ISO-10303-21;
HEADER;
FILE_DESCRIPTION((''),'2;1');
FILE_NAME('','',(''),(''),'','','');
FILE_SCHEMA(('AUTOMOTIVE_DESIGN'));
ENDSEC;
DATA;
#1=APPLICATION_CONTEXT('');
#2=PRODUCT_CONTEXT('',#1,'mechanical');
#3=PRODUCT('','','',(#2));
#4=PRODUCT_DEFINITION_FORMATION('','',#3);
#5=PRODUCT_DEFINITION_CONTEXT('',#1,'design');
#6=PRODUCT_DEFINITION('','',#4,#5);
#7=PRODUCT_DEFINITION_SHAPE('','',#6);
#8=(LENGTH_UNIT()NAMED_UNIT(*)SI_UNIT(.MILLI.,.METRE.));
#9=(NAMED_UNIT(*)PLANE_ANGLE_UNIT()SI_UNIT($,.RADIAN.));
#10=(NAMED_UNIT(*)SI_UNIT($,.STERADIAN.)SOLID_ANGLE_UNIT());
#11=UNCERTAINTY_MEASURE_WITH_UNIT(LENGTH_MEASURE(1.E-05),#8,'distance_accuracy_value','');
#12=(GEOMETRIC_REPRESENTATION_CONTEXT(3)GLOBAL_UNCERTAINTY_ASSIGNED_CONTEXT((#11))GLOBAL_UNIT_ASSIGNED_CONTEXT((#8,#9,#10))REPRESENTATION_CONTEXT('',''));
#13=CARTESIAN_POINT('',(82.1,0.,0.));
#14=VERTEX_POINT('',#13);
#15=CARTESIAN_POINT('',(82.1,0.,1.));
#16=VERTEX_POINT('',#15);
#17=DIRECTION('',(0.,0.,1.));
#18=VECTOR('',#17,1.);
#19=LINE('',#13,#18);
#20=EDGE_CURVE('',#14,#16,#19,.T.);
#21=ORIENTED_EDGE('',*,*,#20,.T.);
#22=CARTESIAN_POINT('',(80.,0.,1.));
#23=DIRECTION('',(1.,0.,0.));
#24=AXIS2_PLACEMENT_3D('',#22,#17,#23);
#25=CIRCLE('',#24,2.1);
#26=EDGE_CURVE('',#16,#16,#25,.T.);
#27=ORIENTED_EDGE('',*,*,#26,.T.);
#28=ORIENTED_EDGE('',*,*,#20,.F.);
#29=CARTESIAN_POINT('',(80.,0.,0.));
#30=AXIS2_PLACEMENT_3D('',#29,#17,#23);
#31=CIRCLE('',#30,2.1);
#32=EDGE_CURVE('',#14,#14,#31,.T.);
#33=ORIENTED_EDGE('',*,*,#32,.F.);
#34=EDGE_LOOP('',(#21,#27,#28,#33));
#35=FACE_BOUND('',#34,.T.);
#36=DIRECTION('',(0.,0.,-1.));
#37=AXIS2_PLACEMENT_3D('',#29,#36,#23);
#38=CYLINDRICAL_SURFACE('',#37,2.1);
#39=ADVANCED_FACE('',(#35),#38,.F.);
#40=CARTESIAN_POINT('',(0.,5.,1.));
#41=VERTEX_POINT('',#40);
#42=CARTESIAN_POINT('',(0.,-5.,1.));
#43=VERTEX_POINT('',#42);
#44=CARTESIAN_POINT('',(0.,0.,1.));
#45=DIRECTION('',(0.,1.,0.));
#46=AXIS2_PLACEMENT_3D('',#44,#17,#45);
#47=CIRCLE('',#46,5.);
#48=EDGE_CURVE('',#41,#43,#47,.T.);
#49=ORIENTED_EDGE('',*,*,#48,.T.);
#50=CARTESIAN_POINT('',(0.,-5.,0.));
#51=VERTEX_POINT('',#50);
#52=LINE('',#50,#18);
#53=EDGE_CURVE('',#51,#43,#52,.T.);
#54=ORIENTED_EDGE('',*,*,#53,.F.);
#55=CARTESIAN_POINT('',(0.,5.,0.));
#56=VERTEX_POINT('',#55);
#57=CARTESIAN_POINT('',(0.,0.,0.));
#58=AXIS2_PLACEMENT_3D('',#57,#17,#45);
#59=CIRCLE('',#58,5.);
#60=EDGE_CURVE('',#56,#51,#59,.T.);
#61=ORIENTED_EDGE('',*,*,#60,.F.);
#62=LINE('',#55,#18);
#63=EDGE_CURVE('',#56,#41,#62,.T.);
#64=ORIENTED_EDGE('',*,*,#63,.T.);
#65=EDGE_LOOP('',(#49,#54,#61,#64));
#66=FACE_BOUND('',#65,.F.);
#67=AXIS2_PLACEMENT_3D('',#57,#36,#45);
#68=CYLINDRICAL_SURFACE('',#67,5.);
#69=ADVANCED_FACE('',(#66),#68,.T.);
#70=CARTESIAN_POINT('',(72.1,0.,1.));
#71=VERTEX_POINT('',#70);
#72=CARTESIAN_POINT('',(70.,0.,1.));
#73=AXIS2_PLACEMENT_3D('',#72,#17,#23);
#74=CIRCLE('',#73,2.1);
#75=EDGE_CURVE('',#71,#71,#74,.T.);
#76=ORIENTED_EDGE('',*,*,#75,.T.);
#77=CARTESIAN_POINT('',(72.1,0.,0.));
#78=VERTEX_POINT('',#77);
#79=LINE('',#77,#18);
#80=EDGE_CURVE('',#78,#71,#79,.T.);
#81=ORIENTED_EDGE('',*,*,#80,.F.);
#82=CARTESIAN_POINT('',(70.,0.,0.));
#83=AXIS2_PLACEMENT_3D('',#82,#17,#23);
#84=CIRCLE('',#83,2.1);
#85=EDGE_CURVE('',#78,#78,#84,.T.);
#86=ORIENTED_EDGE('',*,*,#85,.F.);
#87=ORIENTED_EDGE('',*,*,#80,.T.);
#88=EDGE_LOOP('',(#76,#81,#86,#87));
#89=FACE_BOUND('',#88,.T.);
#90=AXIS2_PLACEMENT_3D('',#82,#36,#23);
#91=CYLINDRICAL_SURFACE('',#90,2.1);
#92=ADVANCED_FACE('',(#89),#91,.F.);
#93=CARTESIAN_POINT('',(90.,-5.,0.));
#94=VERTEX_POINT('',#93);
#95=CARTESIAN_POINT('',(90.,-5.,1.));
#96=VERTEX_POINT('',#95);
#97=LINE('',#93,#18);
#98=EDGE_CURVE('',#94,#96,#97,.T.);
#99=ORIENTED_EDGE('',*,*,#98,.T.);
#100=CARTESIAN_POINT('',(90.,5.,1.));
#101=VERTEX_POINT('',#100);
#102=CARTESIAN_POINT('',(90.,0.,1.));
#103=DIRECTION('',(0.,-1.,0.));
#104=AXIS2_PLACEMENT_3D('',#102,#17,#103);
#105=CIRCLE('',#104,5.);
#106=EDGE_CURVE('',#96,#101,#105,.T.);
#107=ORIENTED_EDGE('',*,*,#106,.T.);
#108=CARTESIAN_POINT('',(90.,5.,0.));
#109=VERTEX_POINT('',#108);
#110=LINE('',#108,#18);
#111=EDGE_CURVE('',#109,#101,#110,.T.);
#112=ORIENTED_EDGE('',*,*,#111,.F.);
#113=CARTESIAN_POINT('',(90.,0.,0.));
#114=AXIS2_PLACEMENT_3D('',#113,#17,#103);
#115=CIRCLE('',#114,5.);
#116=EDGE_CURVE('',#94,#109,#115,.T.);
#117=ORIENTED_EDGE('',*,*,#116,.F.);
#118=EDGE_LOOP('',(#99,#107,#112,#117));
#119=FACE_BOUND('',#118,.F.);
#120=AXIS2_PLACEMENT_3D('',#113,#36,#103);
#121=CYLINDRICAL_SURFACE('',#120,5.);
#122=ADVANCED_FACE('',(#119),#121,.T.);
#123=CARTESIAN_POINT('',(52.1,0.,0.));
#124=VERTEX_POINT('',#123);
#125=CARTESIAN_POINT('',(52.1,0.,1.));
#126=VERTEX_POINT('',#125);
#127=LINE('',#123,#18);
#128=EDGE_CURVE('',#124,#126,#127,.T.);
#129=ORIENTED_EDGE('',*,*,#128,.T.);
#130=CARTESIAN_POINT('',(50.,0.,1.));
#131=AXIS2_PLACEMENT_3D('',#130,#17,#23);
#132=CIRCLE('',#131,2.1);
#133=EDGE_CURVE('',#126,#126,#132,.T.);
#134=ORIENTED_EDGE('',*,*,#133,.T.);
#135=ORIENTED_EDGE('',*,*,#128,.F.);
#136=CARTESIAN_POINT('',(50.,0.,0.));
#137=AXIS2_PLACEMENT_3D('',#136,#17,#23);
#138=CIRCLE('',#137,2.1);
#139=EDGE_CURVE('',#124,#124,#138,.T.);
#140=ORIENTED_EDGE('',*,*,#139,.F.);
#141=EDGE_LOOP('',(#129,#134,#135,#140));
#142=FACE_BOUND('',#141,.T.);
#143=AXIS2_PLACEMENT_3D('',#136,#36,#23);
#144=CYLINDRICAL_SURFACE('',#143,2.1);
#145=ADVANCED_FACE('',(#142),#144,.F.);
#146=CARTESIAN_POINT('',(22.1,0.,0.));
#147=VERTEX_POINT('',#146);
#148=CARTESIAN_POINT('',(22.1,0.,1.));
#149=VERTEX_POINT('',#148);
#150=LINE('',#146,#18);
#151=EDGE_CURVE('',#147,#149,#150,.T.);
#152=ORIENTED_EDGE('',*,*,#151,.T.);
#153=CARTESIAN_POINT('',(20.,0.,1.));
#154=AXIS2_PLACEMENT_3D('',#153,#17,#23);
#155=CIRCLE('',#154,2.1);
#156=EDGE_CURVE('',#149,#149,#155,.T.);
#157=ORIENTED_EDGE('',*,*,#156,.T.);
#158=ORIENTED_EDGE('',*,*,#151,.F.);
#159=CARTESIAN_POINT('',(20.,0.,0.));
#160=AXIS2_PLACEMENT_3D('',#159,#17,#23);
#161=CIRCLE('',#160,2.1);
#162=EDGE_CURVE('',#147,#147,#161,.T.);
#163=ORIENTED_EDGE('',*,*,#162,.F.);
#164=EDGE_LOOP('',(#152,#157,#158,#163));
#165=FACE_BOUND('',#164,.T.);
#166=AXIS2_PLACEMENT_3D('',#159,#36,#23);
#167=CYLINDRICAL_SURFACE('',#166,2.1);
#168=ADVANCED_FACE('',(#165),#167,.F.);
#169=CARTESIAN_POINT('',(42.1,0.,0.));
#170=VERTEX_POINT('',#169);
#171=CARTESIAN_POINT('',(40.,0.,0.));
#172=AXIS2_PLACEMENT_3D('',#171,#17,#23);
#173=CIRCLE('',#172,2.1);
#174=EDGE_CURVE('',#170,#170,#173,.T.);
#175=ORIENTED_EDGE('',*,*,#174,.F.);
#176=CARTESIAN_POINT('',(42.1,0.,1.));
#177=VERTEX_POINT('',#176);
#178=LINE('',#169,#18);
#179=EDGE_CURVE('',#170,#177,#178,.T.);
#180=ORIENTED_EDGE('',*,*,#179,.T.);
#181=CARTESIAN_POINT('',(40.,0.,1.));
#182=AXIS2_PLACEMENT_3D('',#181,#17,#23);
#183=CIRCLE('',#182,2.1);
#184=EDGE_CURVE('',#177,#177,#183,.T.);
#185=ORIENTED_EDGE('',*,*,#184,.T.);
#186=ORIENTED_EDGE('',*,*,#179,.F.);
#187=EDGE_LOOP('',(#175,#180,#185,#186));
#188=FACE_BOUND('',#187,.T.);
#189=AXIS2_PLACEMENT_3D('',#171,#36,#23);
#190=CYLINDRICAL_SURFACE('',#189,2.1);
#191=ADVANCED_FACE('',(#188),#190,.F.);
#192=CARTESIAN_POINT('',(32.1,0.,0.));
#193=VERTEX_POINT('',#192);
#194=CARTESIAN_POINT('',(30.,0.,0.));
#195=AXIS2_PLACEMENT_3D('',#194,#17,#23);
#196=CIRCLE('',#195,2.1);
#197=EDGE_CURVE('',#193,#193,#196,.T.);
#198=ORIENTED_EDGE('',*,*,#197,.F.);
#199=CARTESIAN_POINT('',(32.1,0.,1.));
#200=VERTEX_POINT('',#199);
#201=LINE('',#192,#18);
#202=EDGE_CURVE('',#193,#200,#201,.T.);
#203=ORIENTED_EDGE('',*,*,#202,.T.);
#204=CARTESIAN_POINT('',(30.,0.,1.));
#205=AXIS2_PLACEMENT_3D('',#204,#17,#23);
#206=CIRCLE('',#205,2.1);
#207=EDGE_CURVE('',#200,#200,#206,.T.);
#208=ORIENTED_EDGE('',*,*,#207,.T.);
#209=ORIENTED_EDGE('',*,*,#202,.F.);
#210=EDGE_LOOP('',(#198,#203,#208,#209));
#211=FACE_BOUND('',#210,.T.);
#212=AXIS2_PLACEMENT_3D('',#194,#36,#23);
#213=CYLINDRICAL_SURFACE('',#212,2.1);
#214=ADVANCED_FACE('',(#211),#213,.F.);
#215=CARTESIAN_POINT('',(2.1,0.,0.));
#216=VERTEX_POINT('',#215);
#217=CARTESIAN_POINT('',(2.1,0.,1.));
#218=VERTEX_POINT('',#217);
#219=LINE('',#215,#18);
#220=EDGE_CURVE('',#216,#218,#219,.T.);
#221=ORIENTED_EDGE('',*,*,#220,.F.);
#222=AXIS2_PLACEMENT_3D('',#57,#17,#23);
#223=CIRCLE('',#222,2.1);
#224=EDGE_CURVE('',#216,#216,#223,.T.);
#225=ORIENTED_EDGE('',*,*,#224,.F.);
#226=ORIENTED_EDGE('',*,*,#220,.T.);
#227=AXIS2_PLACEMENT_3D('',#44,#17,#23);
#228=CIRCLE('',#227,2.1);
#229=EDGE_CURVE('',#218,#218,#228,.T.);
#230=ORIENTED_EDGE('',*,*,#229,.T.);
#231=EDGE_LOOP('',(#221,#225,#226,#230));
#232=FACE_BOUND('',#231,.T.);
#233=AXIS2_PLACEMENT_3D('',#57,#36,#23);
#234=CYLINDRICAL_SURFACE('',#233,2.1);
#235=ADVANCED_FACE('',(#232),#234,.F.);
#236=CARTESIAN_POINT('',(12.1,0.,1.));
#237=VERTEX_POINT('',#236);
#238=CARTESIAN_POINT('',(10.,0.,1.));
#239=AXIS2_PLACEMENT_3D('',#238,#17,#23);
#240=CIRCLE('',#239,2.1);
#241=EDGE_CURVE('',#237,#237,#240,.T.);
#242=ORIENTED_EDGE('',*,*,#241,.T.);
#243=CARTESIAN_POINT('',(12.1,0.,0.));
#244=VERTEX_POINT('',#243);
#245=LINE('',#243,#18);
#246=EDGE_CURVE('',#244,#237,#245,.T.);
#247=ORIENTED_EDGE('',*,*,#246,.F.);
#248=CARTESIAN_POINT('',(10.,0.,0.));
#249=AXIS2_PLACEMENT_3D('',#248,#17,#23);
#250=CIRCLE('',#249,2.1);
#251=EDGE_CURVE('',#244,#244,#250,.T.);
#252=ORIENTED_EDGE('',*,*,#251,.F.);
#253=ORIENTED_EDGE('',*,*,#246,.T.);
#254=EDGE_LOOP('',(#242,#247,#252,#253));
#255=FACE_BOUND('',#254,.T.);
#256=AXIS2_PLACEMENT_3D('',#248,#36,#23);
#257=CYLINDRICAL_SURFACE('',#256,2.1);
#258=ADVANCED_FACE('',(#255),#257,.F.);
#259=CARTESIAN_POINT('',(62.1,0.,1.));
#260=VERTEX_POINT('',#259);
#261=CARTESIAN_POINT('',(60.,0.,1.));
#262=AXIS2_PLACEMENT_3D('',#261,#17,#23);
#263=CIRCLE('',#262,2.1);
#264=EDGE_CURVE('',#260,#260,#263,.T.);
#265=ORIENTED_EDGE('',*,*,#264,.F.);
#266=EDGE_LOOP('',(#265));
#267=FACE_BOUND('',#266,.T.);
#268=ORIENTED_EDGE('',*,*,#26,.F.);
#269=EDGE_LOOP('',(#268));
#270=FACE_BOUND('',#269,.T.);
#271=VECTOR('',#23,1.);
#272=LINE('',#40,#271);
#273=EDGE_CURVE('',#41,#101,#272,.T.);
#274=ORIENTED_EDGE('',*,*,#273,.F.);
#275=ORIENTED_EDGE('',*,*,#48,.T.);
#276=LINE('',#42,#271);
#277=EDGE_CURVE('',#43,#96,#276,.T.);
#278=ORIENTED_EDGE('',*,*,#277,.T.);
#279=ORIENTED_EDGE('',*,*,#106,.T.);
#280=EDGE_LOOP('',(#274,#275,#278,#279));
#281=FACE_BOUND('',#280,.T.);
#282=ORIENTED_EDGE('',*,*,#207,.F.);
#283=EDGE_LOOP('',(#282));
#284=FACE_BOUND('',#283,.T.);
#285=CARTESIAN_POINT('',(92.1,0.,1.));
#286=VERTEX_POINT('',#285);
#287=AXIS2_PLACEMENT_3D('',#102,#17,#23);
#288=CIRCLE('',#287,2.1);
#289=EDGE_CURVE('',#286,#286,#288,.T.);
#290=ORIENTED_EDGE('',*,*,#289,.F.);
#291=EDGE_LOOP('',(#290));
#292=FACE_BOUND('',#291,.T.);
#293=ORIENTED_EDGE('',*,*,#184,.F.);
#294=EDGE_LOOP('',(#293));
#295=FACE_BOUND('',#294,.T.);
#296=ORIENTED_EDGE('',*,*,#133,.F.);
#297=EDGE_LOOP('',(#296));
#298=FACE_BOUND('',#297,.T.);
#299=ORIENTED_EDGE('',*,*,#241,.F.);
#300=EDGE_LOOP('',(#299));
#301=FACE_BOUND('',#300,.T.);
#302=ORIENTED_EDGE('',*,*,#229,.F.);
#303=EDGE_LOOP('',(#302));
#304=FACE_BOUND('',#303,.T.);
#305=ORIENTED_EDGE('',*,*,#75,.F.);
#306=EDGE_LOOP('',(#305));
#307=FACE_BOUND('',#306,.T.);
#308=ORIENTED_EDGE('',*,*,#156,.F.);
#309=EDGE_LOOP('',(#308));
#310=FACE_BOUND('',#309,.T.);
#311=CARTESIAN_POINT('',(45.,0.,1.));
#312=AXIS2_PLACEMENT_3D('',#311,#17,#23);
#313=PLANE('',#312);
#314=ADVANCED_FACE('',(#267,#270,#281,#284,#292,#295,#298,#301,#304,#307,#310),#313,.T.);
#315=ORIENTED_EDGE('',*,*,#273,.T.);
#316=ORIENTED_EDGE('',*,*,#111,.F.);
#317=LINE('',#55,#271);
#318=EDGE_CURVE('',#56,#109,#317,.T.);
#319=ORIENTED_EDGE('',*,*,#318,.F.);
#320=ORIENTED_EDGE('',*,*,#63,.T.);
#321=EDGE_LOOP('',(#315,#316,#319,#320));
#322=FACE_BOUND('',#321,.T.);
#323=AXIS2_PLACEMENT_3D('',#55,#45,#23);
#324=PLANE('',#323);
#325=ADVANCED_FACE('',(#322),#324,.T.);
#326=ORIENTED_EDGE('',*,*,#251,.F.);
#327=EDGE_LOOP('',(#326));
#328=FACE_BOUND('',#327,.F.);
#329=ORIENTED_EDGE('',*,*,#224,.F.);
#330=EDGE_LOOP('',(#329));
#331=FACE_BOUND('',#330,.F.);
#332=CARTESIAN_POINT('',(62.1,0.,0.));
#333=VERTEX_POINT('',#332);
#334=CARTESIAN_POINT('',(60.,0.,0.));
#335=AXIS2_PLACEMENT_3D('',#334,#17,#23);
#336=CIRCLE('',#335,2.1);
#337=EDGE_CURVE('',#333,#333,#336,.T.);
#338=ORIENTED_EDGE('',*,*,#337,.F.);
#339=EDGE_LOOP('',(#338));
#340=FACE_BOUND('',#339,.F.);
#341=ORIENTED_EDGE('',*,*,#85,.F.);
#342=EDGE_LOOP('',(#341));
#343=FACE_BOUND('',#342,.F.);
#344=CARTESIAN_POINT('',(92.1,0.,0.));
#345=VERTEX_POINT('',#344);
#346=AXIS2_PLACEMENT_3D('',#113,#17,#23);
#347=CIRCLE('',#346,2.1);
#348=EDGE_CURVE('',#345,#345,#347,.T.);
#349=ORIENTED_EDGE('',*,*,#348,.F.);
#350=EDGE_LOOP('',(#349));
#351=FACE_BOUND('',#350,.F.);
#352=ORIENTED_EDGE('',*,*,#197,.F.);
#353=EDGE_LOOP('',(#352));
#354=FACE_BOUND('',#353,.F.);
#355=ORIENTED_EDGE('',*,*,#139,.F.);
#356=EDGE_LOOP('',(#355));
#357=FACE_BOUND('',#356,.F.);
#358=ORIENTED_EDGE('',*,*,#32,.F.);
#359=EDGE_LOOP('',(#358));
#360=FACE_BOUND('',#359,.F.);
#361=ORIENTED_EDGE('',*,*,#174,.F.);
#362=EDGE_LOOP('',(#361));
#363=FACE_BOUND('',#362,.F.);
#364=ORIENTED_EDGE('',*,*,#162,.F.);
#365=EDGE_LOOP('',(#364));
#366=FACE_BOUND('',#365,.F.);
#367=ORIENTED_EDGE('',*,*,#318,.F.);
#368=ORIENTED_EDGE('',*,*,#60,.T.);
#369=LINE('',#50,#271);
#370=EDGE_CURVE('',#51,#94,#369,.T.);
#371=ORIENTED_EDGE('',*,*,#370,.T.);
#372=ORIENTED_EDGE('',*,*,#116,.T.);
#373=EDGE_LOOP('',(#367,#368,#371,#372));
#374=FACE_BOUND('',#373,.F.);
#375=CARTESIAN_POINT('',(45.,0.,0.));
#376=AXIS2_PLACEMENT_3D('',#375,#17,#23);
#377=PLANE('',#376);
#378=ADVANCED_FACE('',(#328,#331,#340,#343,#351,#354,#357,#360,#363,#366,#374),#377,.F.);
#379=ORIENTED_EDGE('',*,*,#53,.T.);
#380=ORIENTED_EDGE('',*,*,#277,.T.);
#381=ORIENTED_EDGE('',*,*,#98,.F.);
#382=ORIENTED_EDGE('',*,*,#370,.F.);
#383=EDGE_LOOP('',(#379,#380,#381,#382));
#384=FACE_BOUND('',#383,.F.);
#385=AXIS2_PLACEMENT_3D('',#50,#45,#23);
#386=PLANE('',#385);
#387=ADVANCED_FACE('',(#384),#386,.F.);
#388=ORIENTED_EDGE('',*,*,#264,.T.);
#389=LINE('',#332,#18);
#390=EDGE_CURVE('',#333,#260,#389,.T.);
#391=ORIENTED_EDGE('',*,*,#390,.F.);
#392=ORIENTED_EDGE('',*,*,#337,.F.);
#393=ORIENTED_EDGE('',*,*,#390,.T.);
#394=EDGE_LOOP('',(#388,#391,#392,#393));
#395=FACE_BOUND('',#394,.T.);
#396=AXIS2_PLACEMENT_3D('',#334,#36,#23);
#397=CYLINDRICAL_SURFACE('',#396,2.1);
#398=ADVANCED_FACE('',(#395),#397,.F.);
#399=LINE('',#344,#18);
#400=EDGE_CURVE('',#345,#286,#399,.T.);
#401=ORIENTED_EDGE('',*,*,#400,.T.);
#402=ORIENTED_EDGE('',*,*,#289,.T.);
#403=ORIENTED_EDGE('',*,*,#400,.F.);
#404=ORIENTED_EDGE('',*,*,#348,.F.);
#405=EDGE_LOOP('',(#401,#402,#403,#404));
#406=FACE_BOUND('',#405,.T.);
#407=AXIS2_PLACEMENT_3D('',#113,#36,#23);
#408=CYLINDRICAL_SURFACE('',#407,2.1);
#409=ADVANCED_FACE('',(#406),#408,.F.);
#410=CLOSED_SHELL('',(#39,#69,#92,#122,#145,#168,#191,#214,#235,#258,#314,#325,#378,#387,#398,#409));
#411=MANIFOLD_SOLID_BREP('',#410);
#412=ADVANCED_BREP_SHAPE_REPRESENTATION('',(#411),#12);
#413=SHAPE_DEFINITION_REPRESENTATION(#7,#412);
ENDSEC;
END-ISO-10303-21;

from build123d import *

# Parameters (mm, degrees)
SKETCH_R  = 2.1
PAD_DEPTH = 1


with BuildPart() as part:
    # Sketch → Pad (new body)
    with BuildSketch(Plane.XY):
        with BuildLine():
            ThreePointArc((0, 5), (-5, 0), (0, -5))
            Line((0, -5), (90, -5))
            ThreePointArc((90, -5), (95, 0), (90, 5))
            Line((0, 5), (90, 5))
        make_face()
        Circle(SKETCH_R, mode=Mode.SUBTRACT)
        with Locations((10, 0)):
            Circle(SKETCH_R, mode=Mode.SUBTRACT)
        with Locations((20, 0)):
            Circle(SKETCH_R, mode=Mode.SUBTRACT)
        with Locations((30, 0)):
            Circle(SKETCH_R, mode=Mode.SUBTRACT)
        with Locations((40, 0)):
            Circle(SKETCH_R, mode=Mode.SUBTRACT)
        with Locations((50, 0)):
            Circle(SKETCH_R, mode=Mode.SUBTRACT)
        with Locations((60, 0)):
            Circle(SKETCH_R, mode=Mode.SUBTRACT)
        with Locations((70, 0)):
            Circle(SKETCH_R, mode=Mode.SUBTRACT)
        with Locations((80, 0)):
            Circle(SKETCH_R, mode=Mode.SUBTRACT)
        with Locations((90, 0)):
            Circle(SKETCH_R, mode=Mode.SUBTRACT)
    extrude(amount=PAD_DEPTH)


solid = part.part
